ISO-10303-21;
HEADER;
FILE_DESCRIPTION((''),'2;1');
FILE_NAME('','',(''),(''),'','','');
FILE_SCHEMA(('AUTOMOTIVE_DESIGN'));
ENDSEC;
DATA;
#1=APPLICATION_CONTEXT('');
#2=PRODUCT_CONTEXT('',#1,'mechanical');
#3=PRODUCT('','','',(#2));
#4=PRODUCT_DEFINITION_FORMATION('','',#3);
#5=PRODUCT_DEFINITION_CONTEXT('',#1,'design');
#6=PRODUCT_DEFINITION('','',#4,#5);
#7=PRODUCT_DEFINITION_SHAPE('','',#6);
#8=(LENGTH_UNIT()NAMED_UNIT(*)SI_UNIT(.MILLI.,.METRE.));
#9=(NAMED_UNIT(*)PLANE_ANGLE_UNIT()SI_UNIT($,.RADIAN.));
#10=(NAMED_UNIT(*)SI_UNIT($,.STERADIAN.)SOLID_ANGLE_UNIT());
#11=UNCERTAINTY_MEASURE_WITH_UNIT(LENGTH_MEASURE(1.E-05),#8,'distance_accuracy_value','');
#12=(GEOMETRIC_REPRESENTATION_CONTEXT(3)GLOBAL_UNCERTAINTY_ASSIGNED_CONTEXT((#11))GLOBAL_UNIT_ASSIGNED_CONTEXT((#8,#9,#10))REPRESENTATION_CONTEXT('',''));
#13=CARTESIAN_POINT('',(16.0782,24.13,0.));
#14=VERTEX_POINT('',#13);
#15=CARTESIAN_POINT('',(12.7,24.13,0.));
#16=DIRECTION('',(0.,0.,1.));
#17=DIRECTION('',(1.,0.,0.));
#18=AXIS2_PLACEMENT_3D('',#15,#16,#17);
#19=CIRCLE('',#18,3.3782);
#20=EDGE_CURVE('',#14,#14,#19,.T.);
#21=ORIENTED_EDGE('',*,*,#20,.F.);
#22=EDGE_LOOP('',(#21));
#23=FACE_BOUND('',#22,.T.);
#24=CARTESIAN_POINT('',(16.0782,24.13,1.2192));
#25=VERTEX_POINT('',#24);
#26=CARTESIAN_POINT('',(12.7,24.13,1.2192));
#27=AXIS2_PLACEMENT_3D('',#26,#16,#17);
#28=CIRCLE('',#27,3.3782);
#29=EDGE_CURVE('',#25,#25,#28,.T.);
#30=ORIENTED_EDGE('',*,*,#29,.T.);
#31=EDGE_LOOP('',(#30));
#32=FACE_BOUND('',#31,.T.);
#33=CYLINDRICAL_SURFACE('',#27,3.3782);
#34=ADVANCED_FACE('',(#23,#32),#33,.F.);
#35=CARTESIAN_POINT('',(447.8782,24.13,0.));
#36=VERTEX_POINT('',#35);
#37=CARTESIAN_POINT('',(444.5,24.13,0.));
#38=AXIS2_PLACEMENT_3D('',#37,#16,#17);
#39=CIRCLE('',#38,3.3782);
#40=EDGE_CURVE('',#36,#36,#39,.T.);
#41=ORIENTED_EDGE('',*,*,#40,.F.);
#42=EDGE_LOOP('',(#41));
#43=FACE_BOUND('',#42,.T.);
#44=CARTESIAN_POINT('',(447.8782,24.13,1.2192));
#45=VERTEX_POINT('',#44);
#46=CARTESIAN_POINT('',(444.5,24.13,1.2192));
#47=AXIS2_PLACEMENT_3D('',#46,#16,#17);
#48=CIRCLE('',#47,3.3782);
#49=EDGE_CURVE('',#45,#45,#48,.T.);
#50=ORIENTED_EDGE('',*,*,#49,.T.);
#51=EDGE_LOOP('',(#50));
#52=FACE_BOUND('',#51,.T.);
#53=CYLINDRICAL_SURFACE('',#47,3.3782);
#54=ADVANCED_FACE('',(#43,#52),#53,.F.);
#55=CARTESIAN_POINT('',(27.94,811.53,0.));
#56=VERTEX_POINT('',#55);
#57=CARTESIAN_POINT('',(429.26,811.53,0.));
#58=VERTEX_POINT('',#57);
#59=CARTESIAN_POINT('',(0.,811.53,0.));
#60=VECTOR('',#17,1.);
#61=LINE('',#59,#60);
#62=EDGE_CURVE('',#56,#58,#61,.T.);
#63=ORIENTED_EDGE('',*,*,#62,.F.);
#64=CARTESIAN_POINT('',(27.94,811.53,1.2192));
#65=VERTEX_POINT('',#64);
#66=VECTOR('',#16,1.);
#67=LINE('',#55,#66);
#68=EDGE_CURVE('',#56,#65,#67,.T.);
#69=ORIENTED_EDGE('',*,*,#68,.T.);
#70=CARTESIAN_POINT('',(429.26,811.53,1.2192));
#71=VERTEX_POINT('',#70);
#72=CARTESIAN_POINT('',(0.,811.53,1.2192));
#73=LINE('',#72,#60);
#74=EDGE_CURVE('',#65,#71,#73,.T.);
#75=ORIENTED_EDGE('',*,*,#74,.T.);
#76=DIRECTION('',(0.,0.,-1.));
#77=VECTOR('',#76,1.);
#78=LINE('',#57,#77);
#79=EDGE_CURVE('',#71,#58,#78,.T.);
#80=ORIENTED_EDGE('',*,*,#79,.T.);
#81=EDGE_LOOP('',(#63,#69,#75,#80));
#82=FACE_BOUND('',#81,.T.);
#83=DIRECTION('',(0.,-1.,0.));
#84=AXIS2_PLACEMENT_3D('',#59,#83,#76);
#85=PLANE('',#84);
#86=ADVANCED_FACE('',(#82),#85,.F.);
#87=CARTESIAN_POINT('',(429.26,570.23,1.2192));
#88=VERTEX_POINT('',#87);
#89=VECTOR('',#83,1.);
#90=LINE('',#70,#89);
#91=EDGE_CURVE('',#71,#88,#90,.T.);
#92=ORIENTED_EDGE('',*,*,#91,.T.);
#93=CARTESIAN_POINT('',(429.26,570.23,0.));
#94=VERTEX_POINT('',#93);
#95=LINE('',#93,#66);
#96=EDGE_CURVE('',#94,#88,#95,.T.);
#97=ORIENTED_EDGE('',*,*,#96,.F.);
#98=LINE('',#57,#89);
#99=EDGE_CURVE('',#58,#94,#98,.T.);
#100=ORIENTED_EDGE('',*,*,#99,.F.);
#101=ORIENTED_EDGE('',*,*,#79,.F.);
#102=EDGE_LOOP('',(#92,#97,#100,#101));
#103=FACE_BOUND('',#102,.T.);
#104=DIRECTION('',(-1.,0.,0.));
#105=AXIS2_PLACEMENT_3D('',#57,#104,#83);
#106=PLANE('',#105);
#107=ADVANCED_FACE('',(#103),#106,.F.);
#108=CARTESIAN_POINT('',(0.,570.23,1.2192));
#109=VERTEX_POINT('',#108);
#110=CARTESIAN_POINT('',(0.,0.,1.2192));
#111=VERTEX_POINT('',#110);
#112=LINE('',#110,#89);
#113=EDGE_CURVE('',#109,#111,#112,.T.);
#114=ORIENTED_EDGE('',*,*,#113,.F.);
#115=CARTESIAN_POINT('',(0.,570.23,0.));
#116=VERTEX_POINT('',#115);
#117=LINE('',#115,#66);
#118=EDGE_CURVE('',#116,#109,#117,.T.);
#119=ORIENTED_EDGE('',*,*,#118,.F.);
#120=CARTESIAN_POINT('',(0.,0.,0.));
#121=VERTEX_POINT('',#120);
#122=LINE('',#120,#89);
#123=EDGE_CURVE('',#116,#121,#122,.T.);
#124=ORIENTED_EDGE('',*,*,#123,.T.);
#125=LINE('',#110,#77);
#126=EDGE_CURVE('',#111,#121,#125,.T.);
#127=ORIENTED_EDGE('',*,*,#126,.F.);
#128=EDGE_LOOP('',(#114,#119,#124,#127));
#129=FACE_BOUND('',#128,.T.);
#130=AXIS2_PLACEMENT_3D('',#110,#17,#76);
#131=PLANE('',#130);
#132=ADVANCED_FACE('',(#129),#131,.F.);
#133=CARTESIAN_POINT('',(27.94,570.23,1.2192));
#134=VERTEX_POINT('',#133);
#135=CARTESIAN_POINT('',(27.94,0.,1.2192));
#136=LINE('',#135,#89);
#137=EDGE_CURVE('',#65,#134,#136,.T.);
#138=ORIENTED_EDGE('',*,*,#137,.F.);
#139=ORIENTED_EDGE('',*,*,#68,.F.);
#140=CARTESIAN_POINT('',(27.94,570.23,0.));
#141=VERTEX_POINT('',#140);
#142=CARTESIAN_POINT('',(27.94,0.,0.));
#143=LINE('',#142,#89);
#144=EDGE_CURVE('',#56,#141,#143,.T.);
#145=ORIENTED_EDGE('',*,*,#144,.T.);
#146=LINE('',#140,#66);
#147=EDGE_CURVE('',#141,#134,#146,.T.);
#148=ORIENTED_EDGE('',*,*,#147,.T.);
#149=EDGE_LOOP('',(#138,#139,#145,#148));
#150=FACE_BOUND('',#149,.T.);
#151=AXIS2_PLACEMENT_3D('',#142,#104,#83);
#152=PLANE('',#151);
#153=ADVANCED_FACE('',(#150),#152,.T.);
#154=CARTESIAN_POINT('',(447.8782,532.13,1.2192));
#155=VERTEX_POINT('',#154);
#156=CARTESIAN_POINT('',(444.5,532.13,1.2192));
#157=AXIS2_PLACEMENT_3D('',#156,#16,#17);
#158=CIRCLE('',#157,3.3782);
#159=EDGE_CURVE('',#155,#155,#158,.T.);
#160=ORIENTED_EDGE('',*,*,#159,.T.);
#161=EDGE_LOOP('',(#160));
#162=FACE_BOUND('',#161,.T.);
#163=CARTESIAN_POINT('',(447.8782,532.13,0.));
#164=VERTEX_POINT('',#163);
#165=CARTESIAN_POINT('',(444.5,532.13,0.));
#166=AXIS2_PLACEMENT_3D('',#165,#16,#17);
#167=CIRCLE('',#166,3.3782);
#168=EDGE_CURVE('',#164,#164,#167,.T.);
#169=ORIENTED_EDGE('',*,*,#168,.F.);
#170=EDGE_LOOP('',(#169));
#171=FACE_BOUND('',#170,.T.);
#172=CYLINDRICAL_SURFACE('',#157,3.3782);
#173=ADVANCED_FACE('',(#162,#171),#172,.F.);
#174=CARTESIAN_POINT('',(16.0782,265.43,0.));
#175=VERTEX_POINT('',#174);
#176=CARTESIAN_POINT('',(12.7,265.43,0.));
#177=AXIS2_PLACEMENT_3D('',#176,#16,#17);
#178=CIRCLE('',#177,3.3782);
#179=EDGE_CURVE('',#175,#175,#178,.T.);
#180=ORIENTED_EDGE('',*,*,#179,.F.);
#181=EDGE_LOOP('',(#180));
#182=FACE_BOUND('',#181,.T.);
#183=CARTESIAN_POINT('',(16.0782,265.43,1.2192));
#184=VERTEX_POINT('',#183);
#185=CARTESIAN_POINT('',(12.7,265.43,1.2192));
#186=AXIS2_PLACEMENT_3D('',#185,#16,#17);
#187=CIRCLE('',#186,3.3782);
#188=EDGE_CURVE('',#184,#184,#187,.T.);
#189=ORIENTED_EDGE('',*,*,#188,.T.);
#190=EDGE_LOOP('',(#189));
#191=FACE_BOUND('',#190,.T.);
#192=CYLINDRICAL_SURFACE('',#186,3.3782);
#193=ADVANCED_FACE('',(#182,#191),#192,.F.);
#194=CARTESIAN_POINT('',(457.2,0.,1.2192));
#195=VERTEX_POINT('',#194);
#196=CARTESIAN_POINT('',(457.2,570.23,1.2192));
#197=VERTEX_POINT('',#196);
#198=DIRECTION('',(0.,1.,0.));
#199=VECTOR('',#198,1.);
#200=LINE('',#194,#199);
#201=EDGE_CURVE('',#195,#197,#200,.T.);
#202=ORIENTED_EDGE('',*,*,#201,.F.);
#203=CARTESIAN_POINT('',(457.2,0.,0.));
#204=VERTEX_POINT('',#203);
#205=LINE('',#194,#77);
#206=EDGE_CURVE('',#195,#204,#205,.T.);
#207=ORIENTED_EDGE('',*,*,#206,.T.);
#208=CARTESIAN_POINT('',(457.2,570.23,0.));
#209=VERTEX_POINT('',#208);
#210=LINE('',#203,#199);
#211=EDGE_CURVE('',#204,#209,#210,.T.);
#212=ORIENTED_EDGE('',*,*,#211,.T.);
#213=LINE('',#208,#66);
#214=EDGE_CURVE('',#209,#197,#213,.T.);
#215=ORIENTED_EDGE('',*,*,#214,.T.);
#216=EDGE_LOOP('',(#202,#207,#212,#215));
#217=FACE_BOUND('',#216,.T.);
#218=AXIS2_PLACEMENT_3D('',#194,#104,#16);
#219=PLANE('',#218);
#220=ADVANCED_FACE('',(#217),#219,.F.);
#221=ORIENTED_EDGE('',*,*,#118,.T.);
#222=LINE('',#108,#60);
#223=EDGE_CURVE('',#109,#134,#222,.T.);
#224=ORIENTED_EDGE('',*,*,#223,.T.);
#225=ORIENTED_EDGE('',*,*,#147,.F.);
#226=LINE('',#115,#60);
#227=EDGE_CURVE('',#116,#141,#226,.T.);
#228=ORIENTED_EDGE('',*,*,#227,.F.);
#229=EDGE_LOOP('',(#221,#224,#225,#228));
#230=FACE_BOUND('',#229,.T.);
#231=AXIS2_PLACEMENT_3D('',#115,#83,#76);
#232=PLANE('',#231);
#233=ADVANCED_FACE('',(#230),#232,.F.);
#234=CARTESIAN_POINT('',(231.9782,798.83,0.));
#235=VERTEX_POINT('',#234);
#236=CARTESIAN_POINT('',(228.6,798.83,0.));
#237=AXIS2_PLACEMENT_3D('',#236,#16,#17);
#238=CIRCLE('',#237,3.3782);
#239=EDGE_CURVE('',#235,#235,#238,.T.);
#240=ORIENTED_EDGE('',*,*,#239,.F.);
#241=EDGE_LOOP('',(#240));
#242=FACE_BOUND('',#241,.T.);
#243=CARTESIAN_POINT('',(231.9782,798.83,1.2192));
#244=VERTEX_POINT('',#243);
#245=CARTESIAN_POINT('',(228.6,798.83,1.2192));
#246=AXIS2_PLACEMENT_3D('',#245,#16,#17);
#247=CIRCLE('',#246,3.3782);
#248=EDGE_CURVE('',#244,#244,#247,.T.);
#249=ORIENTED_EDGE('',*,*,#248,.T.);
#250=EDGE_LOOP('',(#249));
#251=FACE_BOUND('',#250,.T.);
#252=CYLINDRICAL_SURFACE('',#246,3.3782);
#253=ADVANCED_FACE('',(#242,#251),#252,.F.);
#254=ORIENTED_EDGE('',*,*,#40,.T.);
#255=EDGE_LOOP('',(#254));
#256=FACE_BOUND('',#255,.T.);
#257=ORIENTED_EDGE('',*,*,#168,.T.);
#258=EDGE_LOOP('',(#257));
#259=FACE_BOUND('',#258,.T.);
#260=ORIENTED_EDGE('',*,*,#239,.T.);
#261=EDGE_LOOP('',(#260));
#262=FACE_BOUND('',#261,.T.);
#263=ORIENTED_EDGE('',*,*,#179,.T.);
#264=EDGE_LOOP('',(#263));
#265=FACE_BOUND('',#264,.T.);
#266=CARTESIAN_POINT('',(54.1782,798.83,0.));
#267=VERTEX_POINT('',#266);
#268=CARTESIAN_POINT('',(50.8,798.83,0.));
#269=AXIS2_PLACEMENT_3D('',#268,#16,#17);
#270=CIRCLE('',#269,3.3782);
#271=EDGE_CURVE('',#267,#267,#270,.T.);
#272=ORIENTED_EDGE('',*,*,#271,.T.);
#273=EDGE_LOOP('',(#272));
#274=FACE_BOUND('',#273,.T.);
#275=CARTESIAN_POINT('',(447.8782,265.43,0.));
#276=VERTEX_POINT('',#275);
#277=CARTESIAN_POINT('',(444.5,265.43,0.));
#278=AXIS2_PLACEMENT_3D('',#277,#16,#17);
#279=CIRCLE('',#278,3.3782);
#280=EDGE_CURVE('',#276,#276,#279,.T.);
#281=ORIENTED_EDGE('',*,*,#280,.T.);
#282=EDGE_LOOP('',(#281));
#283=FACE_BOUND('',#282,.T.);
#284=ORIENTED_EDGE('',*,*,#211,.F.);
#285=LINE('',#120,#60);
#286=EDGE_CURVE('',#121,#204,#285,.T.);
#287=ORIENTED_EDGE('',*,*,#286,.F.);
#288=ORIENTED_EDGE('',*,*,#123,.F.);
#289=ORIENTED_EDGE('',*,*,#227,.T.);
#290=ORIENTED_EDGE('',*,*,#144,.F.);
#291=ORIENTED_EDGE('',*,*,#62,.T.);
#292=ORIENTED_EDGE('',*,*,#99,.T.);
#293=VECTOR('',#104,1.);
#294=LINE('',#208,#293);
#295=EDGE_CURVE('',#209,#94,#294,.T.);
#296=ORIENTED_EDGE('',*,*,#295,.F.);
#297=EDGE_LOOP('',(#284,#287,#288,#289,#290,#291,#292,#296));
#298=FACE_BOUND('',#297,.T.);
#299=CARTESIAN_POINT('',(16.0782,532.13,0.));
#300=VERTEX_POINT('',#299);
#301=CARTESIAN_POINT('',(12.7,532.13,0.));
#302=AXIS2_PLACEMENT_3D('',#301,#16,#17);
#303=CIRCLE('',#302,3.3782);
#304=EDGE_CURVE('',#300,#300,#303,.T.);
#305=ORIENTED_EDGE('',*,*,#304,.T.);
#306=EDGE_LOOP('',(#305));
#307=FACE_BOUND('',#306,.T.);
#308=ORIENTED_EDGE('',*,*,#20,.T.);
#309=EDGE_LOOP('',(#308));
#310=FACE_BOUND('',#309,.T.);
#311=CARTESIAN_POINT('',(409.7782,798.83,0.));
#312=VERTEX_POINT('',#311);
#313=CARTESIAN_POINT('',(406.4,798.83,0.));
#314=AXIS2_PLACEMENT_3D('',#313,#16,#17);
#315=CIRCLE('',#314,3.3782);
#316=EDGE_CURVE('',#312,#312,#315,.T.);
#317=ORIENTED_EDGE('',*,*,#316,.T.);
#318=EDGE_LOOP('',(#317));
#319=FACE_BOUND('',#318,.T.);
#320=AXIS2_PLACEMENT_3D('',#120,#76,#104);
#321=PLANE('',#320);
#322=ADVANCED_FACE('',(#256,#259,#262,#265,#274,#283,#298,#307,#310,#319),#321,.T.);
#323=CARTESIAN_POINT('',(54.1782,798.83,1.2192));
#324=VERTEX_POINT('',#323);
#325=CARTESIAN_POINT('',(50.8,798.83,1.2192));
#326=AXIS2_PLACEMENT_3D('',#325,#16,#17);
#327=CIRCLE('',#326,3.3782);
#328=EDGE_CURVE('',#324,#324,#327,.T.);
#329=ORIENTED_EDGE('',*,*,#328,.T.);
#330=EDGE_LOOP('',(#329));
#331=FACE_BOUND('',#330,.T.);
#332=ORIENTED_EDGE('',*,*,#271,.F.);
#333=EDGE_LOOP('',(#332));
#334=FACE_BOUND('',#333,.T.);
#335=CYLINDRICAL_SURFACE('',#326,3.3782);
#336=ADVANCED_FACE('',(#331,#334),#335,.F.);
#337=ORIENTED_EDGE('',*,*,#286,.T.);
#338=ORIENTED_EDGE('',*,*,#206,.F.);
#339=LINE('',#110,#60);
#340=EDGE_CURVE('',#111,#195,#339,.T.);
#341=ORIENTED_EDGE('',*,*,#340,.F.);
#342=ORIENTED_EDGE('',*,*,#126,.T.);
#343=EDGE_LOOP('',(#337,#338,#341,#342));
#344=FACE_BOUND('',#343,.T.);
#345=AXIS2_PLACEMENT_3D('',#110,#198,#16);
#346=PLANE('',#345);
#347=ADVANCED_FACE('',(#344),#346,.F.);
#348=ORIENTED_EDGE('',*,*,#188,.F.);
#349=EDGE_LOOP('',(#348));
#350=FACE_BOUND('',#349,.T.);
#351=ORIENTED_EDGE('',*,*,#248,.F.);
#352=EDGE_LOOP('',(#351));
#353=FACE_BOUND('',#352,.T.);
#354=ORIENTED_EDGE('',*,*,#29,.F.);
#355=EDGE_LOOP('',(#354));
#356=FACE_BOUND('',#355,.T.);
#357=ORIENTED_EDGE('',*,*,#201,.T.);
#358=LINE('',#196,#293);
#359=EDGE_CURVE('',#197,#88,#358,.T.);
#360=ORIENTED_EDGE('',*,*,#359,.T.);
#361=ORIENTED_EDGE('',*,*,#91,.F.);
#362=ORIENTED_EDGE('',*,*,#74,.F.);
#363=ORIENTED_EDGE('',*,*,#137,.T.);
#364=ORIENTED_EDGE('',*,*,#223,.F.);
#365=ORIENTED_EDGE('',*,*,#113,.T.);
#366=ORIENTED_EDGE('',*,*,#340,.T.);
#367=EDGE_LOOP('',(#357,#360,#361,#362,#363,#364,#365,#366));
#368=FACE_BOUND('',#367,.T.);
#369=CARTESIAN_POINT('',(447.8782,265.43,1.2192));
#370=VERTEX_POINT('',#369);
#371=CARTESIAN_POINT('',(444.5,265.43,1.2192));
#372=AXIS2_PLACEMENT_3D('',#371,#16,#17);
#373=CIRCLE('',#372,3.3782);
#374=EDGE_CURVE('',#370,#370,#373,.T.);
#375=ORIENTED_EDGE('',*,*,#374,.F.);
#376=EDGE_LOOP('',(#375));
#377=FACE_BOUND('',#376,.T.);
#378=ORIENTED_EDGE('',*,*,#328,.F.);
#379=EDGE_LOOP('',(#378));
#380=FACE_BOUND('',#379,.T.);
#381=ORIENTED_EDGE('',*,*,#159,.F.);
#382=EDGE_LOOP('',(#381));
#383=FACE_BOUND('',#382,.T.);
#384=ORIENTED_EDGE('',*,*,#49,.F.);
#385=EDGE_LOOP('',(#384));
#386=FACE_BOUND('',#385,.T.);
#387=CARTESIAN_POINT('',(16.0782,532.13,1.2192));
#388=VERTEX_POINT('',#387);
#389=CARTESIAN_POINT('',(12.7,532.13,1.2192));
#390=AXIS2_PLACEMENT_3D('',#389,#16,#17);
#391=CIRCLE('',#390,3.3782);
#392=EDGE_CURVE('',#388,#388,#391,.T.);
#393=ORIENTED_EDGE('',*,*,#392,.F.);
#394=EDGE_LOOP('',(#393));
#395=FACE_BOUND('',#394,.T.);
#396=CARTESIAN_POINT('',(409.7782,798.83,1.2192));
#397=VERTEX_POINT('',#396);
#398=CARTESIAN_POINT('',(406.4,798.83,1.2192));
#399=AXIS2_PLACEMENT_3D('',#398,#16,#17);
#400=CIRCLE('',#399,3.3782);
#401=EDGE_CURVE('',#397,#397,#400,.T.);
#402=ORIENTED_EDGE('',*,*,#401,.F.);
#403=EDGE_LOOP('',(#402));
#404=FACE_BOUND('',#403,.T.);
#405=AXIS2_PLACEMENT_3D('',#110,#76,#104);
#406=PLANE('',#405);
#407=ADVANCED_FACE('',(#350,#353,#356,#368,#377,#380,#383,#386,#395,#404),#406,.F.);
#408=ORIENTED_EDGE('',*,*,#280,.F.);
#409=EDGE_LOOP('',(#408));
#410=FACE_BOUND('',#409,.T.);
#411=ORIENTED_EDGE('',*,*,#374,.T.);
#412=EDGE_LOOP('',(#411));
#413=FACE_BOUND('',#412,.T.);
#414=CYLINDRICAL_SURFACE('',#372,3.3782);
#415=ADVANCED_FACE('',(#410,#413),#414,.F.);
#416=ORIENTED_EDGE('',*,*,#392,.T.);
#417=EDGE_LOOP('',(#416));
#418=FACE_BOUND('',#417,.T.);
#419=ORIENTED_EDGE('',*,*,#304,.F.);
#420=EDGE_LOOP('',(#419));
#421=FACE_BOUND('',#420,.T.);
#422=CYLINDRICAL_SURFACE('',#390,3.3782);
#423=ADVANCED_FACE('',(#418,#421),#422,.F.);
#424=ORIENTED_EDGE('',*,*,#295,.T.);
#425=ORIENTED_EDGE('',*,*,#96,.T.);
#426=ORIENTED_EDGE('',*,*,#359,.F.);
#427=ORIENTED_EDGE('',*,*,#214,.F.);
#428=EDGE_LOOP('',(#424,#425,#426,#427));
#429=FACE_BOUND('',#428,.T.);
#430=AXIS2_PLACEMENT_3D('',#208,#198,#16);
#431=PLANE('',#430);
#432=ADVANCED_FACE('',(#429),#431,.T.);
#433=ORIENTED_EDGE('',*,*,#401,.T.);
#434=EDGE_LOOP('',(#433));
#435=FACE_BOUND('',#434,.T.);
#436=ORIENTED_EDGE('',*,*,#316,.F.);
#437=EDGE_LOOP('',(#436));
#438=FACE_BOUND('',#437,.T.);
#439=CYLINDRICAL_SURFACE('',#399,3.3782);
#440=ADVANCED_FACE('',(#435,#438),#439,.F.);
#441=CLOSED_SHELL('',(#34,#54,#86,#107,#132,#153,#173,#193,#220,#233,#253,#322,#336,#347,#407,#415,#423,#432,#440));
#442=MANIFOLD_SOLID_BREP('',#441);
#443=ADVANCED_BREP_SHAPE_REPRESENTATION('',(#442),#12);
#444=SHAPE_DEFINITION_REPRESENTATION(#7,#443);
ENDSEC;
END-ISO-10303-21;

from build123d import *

# Parameters (mm, degrees)
SKETCH1_W               = 457.2
SKETCH1_H               = 840.74
BOSS_EXTRUDE1_DEPTH     = 1.2192
SKETCH5_W               = 27.94
SKETCH5_H               = 241.3
CUT_EXTRUDE1_DEPTH      = 1.2192
F_1_4_CLEARANCE_HOLE2_D = 6.7564


with BuildPart() as part:
    # Sketch1 → Boss-Extrude1 (new body)
    with BuildSketch(Plane.XY):
        with Locations((228.6, 420.37)):
            Rectangle(SKETCH1_W, SKETCH1_H)
    extrude(amount=BOSS_EXTRUDE1_DEPTH)

    # Sketch5 → Cut-Extrude1 (cut)
    with BuildSketch(Plane.XY.offset(1.2192)):
        with Locations((13.97, 690.88)):
            Rectangle(SKETCH5_W, SKETCH5_H)
        Polygon((457.2, 840.74), (0, 840.74), (0, 811.53), (27.94, 811.53), (429.26, 811.53), (457.2, 811.53), align=None)
        with Locations((443.23, 690.88)):
            Rectangle(SKETCH5_W, SKETCH5_H)
    extrude(amount=-CUT_EXTRUDE1_DEPTH, mode=Mode.SUBTRACT)

    # 1/4 Clearance Hole2 (through all)
    with Locations(Plane.XY.offset(1.2192)):
        with Locations((50.8, 798.83), (228.6, 798.83), (406.4, 798.83), (12.7, 532.13), (12.7, 265.43), (12.7, 24.13), (444.5, 24.13), (444.5, 265.43), (444.5, 532.13)):
            Hole(F_1_4_CLEARANCE_HOLE2_D / 2)


solid = part.part
